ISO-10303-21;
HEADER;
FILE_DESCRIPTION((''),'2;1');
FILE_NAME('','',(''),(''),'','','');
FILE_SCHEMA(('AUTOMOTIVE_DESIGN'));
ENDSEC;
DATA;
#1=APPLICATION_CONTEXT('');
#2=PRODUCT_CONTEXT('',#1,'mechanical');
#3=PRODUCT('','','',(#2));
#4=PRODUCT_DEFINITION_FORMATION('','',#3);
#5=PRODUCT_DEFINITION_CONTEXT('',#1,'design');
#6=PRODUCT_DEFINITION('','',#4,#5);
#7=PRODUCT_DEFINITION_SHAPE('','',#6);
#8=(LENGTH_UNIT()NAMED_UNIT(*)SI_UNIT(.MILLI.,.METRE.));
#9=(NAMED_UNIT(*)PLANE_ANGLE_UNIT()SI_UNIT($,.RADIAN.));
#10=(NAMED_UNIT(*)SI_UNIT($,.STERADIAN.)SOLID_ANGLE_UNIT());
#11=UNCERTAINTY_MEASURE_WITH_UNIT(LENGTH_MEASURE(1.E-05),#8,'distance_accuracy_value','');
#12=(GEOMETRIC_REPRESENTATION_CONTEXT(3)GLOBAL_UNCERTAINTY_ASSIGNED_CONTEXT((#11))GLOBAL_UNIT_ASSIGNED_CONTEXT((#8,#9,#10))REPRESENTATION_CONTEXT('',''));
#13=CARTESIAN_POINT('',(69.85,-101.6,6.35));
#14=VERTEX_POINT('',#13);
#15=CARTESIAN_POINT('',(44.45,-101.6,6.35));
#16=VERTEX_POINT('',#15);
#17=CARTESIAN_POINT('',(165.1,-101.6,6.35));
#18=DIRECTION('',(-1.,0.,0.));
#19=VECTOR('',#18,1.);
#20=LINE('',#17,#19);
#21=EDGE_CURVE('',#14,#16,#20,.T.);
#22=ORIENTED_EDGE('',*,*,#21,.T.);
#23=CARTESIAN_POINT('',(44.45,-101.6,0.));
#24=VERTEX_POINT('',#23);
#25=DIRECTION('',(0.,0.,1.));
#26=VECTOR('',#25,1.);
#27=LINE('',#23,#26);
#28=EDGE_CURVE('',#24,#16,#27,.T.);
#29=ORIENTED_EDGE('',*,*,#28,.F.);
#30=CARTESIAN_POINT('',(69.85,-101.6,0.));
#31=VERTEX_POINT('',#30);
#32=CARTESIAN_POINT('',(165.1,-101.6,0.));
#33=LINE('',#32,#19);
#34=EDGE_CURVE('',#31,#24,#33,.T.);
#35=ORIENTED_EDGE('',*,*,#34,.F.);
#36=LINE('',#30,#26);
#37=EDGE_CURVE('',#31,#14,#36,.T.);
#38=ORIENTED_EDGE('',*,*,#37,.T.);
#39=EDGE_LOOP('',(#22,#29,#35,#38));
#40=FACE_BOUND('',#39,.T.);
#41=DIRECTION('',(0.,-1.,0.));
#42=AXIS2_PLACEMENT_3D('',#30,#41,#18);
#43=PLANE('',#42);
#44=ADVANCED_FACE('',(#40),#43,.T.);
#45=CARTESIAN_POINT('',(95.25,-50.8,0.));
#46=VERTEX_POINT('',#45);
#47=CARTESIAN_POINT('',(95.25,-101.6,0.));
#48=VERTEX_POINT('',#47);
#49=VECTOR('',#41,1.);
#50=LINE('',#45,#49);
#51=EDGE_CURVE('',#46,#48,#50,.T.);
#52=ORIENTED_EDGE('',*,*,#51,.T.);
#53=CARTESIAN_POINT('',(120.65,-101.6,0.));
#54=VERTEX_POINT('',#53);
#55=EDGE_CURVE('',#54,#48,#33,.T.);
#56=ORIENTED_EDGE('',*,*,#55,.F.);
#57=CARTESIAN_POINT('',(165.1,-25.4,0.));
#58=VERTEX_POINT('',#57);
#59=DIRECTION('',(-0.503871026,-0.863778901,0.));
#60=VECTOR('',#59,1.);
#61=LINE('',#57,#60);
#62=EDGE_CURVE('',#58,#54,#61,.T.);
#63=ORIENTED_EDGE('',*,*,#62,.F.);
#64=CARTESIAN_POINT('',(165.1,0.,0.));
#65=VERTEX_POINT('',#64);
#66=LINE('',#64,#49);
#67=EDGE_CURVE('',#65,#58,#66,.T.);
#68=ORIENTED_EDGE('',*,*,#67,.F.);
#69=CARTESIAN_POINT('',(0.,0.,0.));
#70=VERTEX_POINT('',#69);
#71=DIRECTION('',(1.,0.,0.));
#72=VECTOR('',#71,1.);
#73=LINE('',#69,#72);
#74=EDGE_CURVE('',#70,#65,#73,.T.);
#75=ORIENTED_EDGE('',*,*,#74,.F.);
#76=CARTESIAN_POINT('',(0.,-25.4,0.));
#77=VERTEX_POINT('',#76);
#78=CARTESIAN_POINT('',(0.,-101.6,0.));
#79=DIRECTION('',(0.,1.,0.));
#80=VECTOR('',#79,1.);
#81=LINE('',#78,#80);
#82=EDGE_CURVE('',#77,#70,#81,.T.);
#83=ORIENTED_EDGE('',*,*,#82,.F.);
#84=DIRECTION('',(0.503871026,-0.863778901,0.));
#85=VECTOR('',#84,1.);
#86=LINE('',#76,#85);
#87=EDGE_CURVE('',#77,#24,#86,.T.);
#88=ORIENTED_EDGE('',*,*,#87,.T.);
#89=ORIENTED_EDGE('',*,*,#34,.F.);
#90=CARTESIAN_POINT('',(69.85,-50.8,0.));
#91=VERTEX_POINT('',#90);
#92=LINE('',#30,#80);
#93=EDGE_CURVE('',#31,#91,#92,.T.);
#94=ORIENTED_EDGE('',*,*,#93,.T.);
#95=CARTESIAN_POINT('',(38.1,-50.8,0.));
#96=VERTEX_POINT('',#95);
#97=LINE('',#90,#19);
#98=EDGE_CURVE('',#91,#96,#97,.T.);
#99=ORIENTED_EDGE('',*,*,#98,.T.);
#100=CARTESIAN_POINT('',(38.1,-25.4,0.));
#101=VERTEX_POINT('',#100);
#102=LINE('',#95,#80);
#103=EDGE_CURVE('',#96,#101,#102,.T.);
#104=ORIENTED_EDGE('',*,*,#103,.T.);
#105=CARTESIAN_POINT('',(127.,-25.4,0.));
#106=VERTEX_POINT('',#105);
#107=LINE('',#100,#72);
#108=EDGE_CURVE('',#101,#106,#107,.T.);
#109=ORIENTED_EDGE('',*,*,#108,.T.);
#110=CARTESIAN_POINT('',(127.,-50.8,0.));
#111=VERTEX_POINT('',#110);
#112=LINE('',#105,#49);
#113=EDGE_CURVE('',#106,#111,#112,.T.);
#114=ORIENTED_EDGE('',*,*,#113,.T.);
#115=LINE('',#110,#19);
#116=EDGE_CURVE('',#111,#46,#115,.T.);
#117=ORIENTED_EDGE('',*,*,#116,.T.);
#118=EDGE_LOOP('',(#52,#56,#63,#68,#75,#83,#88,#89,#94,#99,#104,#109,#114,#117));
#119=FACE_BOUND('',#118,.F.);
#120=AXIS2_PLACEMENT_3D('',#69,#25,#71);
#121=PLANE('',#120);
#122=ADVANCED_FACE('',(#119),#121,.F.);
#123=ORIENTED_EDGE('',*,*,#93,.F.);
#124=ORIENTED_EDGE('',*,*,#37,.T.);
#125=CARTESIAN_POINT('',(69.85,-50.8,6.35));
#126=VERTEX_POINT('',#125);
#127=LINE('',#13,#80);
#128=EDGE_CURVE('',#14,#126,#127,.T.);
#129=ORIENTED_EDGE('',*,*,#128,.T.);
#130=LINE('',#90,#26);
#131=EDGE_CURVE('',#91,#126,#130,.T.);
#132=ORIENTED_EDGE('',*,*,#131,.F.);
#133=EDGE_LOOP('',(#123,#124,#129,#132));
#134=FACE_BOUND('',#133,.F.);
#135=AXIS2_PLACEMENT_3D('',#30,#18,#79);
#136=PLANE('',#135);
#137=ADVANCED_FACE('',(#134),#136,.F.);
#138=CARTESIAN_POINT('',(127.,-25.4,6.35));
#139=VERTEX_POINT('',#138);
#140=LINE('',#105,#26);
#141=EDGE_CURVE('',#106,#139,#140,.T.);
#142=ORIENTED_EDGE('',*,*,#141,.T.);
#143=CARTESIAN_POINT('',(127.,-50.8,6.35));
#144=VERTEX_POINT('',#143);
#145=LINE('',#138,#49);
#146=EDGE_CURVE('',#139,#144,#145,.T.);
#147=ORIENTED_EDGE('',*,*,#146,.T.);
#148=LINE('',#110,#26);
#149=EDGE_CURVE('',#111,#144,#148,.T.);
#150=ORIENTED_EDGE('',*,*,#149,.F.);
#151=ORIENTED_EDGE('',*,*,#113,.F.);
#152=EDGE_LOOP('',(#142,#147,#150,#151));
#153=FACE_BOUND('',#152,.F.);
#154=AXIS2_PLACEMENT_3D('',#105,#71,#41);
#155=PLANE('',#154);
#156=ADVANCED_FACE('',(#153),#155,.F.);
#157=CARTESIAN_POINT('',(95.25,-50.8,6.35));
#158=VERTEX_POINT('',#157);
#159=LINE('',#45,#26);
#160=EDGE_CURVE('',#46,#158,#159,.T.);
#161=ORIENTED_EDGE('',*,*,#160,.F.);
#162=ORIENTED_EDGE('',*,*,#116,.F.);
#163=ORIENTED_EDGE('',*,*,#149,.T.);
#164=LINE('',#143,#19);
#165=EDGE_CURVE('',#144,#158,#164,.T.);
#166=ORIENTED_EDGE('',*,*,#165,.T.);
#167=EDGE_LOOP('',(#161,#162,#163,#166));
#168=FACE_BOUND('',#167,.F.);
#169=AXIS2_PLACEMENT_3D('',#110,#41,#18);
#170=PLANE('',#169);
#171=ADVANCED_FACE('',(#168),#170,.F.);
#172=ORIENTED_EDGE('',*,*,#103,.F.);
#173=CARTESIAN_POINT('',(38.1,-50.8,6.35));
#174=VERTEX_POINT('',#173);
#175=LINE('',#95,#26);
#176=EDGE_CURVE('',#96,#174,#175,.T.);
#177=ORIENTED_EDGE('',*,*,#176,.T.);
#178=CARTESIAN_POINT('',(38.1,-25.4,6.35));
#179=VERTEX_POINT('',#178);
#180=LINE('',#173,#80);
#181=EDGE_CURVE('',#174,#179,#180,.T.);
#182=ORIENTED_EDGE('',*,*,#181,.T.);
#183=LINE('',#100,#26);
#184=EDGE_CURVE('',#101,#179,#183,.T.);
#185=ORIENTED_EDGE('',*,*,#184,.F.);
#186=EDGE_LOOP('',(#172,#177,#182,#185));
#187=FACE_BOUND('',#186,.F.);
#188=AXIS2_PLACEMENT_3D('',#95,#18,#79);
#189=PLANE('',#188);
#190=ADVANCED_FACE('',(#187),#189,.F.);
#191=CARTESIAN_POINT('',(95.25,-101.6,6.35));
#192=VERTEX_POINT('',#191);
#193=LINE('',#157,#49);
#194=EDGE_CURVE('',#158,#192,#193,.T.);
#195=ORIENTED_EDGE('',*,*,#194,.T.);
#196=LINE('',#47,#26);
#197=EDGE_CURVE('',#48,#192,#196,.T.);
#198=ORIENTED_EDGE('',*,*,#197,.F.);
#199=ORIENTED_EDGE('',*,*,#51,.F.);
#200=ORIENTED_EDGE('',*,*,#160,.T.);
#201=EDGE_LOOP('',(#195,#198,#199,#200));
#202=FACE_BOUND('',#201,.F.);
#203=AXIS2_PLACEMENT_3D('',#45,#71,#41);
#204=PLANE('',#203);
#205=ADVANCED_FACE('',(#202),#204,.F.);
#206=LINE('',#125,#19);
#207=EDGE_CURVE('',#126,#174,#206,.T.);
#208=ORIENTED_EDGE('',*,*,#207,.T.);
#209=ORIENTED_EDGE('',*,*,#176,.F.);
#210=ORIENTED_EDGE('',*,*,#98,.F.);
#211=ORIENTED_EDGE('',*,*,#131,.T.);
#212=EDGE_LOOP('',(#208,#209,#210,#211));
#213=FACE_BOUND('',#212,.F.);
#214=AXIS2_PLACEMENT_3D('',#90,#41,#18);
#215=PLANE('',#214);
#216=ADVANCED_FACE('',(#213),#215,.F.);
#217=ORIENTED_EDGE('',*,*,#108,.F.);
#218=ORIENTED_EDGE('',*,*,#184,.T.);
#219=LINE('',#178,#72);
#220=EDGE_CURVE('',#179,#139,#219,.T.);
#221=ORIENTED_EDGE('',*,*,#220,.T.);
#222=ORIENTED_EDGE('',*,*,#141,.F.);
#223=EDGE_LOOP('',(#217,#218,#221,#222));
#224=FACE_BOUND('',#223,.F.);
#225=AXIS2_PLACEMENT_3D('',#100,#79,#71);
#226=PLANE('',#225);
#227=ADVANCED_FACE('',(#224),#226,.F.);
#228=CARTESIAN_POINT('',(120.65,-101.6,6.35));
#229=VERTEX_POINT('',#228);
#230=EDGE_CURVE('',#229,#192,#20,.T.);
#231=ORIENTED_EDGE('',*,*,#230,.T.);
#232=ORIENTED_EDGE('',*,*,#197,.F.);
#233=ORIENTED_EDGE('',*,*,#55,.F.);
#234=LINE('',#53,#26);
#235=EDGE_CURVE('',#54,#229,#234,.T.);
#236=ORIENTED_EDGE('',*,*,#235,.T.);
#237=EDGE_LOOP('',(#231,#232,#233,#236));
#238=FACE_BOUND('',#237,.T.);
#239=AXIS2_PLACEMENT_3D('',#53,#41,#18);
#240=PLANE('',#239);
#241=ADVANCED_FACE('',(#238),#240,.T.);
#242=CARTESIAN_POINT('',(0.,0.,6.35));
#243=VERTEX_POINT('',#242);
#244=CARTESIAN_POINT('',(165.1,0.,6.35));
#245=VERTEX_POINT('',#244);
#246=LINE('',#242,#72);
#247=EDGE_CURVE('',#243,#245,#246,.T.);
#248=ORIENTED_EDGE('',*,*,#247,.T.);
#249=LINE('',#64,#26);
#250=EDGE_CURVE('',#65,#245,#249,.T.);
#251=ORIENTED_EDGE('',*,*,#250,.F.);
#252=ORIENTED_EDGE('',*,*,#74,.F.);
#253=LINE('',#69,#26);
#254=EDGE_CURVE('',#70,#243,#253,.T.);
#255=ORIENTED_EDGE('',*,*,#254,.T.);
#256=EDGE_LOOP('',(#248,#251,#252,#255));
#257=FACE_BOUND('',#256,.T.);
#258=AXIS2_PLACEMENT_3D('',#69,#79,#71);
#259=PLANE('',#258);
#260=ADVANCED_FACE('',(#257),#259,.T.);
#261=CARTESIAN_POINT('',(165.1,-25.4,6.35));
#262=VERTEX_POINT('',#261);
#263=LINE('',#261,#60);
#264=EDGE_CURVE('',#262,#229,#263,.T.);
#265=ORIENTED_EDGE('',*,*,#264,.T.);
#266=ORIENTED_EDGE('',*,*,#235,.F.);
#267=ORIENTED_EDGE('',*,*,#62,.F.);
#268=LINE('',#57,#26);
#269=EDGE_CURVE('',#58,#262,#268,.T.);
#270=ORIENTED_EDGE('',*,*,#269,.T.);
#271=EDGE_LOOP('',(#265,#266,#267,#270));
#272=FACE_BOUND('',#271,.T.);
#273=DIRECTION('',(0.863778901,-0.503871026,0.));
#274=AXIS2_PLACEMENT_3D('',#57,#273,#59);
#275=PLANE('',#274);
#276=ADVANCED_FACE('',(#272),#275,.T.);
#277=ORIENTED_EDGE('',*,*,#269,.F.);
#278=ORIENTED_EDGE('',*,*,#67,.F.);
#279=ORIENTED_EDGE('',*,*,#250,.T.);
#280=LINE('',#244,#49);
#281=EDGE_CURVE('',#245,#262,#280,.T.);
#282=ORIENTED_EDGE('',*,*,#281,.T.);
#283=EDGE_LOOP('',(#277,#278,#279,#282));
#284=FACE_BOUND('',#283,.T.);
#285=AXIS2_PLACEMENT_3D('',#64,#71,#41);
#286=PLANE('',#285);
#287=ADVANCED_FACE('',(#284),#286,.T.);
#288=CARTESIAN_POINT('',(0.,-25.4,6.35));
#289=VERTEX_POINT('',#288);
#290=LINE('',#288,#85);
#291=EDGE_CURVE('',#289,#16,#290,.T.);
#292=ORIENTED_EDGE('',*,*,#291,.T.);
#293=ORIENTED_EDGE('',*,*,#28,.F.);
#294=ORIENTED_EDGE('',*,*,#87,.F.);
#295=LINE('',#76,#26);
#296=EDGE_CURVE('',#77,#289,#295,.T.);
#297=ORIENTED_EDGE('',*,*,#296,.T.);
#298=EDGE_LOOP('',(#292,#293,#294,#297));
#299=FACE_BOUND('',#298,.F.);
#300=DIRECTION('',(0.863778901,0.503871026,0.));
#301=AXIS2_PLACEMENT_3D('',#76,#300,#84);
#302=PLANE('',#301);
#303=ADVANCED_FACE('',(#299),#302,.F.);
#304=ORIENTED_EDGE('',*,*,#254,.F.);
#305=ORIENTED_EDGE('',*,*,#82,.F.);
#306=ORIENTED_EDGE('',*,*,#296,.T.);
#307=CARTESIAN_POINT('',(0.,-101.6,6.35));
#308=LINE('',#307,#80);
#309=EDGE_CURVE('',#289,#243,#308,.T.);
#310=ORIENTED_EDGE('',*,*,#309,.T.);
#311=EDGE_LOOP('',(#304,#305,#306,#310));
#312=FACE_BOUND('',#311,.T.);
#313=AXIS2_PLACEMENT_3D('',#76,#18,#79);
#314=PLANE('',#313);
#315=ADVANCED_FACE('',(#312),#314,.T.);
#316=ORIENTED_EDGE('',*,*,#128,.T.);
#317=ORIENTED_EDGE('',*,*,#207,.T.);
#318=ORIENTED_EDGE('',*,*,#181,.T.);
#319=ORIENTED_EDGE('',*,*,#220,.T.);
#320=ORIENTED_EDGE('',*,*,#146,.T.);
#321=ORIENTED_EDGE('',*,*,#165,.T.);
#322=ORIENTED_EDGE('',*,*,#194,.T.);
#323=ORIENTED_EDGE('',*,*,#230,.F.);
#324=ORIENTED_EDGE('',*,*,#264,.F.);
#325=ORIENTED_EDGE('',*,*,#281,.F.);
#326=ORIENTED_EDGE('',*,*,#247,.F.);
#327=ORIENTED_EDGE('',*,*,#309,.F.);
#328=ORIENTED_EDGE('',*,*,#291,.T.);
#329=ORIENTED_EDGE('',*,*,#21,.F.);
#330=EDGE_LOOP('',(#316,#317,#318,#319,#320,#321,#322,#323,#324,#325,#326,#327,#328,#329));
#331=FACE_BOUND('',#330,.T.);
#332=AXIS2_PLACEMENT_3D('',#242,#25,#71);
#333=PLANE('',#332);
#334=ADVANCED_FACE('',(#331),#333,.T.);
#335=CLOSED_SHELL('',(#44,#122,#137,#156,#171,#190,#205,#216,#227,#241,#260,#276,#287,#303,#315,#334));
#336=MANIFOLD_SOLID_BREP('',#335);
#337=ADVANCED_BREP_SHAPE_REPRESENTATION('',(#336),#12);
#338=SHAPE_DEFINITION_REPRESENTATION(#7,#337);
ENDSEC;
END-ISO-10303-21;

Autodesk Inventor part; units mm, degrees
ref_plane "YZ Plane" through (0, 0, 0) normal (1, 0, 0) x (0, 1, 0)
ref_plane "XZ Plane" through (0, 0, 0) normal (0, 1, 0) x (-1, 0, 0)
ref_plane "XY Plane" through (0, 0, 0) normal (0, 0, 1) x (1, 0, 0)
sketch "Sketch1" plane through (0, 0, 0) normal (0, 0, 1) x (1, 0, 0)
  line L0 (0, 0) -> (165.1, 0)
  line L1 (165.1, 0) -> (165.1, -101.6)
  line L2 (165.1, -101.6) -> (0, -101.6)
  line L3 (0, -101.6) -> (0, 0)
  line L4 (0, -101.6) -> (44.45, -101.6)
  line L5 (0, -101.6) -> (0, -25.4)
  line L6 (0, -101.6) -> (69.85, -101.6)
  line L7 (69.85, -101.6) -> (69.85, -50.8)
  line L8 (69.85, -50.8) -> (38.1, -50.8)
  line L9 (38.1, -50.8) -> (38.1, -25.4)
  line L10 (38.1, -25.4) -> (127, -25.4)
  line L11 (127, -25.4) -> (127, -50.8)
  line L12 (127, -50.8) -> (95.25, -50.8)
  line L13 (95.25, -50.8) -> (95.25, -101.6)
  line L14 (165.1, -101.6) -> (120.65, -101.6)
  line L15 (165.1, -101.6) -> (165.1, -25.4)
  line L16 (165.1, -25.4) -> (120.65, -101.6)
  line L17 (0, -101.6) -> (0, -25.4)
  line L18 (0, -25.4) -> (44.45, -101.6)
  line L19 (44.45, -101.6) -> (0, -101.6)
  line L20 (0, -101.6) -> (0, -25.4)
  dimension "d0" = 165.1
  dimension "d4" = 44.45
  dimension "d5" = 69.85
  dimension "d10" = 25.4
  dimension "d11" = 25.4
  dimension "d12" = 101.6
  dimension "d13" = 38.1
  dimension "d14" = 25.4
  dimension "d15" = 44.45
  dimension "d17" = 88.9
  dimension "d18" = 165.1
extrude "Extrusion1" add sketch "Sketch1" along normal blind 6.35 contours L0 L1 L16 L2 L13 L12 L11 L10 L9 L8 L7 L18 L3
properties part number "5-1" material "Iron, Cast"
